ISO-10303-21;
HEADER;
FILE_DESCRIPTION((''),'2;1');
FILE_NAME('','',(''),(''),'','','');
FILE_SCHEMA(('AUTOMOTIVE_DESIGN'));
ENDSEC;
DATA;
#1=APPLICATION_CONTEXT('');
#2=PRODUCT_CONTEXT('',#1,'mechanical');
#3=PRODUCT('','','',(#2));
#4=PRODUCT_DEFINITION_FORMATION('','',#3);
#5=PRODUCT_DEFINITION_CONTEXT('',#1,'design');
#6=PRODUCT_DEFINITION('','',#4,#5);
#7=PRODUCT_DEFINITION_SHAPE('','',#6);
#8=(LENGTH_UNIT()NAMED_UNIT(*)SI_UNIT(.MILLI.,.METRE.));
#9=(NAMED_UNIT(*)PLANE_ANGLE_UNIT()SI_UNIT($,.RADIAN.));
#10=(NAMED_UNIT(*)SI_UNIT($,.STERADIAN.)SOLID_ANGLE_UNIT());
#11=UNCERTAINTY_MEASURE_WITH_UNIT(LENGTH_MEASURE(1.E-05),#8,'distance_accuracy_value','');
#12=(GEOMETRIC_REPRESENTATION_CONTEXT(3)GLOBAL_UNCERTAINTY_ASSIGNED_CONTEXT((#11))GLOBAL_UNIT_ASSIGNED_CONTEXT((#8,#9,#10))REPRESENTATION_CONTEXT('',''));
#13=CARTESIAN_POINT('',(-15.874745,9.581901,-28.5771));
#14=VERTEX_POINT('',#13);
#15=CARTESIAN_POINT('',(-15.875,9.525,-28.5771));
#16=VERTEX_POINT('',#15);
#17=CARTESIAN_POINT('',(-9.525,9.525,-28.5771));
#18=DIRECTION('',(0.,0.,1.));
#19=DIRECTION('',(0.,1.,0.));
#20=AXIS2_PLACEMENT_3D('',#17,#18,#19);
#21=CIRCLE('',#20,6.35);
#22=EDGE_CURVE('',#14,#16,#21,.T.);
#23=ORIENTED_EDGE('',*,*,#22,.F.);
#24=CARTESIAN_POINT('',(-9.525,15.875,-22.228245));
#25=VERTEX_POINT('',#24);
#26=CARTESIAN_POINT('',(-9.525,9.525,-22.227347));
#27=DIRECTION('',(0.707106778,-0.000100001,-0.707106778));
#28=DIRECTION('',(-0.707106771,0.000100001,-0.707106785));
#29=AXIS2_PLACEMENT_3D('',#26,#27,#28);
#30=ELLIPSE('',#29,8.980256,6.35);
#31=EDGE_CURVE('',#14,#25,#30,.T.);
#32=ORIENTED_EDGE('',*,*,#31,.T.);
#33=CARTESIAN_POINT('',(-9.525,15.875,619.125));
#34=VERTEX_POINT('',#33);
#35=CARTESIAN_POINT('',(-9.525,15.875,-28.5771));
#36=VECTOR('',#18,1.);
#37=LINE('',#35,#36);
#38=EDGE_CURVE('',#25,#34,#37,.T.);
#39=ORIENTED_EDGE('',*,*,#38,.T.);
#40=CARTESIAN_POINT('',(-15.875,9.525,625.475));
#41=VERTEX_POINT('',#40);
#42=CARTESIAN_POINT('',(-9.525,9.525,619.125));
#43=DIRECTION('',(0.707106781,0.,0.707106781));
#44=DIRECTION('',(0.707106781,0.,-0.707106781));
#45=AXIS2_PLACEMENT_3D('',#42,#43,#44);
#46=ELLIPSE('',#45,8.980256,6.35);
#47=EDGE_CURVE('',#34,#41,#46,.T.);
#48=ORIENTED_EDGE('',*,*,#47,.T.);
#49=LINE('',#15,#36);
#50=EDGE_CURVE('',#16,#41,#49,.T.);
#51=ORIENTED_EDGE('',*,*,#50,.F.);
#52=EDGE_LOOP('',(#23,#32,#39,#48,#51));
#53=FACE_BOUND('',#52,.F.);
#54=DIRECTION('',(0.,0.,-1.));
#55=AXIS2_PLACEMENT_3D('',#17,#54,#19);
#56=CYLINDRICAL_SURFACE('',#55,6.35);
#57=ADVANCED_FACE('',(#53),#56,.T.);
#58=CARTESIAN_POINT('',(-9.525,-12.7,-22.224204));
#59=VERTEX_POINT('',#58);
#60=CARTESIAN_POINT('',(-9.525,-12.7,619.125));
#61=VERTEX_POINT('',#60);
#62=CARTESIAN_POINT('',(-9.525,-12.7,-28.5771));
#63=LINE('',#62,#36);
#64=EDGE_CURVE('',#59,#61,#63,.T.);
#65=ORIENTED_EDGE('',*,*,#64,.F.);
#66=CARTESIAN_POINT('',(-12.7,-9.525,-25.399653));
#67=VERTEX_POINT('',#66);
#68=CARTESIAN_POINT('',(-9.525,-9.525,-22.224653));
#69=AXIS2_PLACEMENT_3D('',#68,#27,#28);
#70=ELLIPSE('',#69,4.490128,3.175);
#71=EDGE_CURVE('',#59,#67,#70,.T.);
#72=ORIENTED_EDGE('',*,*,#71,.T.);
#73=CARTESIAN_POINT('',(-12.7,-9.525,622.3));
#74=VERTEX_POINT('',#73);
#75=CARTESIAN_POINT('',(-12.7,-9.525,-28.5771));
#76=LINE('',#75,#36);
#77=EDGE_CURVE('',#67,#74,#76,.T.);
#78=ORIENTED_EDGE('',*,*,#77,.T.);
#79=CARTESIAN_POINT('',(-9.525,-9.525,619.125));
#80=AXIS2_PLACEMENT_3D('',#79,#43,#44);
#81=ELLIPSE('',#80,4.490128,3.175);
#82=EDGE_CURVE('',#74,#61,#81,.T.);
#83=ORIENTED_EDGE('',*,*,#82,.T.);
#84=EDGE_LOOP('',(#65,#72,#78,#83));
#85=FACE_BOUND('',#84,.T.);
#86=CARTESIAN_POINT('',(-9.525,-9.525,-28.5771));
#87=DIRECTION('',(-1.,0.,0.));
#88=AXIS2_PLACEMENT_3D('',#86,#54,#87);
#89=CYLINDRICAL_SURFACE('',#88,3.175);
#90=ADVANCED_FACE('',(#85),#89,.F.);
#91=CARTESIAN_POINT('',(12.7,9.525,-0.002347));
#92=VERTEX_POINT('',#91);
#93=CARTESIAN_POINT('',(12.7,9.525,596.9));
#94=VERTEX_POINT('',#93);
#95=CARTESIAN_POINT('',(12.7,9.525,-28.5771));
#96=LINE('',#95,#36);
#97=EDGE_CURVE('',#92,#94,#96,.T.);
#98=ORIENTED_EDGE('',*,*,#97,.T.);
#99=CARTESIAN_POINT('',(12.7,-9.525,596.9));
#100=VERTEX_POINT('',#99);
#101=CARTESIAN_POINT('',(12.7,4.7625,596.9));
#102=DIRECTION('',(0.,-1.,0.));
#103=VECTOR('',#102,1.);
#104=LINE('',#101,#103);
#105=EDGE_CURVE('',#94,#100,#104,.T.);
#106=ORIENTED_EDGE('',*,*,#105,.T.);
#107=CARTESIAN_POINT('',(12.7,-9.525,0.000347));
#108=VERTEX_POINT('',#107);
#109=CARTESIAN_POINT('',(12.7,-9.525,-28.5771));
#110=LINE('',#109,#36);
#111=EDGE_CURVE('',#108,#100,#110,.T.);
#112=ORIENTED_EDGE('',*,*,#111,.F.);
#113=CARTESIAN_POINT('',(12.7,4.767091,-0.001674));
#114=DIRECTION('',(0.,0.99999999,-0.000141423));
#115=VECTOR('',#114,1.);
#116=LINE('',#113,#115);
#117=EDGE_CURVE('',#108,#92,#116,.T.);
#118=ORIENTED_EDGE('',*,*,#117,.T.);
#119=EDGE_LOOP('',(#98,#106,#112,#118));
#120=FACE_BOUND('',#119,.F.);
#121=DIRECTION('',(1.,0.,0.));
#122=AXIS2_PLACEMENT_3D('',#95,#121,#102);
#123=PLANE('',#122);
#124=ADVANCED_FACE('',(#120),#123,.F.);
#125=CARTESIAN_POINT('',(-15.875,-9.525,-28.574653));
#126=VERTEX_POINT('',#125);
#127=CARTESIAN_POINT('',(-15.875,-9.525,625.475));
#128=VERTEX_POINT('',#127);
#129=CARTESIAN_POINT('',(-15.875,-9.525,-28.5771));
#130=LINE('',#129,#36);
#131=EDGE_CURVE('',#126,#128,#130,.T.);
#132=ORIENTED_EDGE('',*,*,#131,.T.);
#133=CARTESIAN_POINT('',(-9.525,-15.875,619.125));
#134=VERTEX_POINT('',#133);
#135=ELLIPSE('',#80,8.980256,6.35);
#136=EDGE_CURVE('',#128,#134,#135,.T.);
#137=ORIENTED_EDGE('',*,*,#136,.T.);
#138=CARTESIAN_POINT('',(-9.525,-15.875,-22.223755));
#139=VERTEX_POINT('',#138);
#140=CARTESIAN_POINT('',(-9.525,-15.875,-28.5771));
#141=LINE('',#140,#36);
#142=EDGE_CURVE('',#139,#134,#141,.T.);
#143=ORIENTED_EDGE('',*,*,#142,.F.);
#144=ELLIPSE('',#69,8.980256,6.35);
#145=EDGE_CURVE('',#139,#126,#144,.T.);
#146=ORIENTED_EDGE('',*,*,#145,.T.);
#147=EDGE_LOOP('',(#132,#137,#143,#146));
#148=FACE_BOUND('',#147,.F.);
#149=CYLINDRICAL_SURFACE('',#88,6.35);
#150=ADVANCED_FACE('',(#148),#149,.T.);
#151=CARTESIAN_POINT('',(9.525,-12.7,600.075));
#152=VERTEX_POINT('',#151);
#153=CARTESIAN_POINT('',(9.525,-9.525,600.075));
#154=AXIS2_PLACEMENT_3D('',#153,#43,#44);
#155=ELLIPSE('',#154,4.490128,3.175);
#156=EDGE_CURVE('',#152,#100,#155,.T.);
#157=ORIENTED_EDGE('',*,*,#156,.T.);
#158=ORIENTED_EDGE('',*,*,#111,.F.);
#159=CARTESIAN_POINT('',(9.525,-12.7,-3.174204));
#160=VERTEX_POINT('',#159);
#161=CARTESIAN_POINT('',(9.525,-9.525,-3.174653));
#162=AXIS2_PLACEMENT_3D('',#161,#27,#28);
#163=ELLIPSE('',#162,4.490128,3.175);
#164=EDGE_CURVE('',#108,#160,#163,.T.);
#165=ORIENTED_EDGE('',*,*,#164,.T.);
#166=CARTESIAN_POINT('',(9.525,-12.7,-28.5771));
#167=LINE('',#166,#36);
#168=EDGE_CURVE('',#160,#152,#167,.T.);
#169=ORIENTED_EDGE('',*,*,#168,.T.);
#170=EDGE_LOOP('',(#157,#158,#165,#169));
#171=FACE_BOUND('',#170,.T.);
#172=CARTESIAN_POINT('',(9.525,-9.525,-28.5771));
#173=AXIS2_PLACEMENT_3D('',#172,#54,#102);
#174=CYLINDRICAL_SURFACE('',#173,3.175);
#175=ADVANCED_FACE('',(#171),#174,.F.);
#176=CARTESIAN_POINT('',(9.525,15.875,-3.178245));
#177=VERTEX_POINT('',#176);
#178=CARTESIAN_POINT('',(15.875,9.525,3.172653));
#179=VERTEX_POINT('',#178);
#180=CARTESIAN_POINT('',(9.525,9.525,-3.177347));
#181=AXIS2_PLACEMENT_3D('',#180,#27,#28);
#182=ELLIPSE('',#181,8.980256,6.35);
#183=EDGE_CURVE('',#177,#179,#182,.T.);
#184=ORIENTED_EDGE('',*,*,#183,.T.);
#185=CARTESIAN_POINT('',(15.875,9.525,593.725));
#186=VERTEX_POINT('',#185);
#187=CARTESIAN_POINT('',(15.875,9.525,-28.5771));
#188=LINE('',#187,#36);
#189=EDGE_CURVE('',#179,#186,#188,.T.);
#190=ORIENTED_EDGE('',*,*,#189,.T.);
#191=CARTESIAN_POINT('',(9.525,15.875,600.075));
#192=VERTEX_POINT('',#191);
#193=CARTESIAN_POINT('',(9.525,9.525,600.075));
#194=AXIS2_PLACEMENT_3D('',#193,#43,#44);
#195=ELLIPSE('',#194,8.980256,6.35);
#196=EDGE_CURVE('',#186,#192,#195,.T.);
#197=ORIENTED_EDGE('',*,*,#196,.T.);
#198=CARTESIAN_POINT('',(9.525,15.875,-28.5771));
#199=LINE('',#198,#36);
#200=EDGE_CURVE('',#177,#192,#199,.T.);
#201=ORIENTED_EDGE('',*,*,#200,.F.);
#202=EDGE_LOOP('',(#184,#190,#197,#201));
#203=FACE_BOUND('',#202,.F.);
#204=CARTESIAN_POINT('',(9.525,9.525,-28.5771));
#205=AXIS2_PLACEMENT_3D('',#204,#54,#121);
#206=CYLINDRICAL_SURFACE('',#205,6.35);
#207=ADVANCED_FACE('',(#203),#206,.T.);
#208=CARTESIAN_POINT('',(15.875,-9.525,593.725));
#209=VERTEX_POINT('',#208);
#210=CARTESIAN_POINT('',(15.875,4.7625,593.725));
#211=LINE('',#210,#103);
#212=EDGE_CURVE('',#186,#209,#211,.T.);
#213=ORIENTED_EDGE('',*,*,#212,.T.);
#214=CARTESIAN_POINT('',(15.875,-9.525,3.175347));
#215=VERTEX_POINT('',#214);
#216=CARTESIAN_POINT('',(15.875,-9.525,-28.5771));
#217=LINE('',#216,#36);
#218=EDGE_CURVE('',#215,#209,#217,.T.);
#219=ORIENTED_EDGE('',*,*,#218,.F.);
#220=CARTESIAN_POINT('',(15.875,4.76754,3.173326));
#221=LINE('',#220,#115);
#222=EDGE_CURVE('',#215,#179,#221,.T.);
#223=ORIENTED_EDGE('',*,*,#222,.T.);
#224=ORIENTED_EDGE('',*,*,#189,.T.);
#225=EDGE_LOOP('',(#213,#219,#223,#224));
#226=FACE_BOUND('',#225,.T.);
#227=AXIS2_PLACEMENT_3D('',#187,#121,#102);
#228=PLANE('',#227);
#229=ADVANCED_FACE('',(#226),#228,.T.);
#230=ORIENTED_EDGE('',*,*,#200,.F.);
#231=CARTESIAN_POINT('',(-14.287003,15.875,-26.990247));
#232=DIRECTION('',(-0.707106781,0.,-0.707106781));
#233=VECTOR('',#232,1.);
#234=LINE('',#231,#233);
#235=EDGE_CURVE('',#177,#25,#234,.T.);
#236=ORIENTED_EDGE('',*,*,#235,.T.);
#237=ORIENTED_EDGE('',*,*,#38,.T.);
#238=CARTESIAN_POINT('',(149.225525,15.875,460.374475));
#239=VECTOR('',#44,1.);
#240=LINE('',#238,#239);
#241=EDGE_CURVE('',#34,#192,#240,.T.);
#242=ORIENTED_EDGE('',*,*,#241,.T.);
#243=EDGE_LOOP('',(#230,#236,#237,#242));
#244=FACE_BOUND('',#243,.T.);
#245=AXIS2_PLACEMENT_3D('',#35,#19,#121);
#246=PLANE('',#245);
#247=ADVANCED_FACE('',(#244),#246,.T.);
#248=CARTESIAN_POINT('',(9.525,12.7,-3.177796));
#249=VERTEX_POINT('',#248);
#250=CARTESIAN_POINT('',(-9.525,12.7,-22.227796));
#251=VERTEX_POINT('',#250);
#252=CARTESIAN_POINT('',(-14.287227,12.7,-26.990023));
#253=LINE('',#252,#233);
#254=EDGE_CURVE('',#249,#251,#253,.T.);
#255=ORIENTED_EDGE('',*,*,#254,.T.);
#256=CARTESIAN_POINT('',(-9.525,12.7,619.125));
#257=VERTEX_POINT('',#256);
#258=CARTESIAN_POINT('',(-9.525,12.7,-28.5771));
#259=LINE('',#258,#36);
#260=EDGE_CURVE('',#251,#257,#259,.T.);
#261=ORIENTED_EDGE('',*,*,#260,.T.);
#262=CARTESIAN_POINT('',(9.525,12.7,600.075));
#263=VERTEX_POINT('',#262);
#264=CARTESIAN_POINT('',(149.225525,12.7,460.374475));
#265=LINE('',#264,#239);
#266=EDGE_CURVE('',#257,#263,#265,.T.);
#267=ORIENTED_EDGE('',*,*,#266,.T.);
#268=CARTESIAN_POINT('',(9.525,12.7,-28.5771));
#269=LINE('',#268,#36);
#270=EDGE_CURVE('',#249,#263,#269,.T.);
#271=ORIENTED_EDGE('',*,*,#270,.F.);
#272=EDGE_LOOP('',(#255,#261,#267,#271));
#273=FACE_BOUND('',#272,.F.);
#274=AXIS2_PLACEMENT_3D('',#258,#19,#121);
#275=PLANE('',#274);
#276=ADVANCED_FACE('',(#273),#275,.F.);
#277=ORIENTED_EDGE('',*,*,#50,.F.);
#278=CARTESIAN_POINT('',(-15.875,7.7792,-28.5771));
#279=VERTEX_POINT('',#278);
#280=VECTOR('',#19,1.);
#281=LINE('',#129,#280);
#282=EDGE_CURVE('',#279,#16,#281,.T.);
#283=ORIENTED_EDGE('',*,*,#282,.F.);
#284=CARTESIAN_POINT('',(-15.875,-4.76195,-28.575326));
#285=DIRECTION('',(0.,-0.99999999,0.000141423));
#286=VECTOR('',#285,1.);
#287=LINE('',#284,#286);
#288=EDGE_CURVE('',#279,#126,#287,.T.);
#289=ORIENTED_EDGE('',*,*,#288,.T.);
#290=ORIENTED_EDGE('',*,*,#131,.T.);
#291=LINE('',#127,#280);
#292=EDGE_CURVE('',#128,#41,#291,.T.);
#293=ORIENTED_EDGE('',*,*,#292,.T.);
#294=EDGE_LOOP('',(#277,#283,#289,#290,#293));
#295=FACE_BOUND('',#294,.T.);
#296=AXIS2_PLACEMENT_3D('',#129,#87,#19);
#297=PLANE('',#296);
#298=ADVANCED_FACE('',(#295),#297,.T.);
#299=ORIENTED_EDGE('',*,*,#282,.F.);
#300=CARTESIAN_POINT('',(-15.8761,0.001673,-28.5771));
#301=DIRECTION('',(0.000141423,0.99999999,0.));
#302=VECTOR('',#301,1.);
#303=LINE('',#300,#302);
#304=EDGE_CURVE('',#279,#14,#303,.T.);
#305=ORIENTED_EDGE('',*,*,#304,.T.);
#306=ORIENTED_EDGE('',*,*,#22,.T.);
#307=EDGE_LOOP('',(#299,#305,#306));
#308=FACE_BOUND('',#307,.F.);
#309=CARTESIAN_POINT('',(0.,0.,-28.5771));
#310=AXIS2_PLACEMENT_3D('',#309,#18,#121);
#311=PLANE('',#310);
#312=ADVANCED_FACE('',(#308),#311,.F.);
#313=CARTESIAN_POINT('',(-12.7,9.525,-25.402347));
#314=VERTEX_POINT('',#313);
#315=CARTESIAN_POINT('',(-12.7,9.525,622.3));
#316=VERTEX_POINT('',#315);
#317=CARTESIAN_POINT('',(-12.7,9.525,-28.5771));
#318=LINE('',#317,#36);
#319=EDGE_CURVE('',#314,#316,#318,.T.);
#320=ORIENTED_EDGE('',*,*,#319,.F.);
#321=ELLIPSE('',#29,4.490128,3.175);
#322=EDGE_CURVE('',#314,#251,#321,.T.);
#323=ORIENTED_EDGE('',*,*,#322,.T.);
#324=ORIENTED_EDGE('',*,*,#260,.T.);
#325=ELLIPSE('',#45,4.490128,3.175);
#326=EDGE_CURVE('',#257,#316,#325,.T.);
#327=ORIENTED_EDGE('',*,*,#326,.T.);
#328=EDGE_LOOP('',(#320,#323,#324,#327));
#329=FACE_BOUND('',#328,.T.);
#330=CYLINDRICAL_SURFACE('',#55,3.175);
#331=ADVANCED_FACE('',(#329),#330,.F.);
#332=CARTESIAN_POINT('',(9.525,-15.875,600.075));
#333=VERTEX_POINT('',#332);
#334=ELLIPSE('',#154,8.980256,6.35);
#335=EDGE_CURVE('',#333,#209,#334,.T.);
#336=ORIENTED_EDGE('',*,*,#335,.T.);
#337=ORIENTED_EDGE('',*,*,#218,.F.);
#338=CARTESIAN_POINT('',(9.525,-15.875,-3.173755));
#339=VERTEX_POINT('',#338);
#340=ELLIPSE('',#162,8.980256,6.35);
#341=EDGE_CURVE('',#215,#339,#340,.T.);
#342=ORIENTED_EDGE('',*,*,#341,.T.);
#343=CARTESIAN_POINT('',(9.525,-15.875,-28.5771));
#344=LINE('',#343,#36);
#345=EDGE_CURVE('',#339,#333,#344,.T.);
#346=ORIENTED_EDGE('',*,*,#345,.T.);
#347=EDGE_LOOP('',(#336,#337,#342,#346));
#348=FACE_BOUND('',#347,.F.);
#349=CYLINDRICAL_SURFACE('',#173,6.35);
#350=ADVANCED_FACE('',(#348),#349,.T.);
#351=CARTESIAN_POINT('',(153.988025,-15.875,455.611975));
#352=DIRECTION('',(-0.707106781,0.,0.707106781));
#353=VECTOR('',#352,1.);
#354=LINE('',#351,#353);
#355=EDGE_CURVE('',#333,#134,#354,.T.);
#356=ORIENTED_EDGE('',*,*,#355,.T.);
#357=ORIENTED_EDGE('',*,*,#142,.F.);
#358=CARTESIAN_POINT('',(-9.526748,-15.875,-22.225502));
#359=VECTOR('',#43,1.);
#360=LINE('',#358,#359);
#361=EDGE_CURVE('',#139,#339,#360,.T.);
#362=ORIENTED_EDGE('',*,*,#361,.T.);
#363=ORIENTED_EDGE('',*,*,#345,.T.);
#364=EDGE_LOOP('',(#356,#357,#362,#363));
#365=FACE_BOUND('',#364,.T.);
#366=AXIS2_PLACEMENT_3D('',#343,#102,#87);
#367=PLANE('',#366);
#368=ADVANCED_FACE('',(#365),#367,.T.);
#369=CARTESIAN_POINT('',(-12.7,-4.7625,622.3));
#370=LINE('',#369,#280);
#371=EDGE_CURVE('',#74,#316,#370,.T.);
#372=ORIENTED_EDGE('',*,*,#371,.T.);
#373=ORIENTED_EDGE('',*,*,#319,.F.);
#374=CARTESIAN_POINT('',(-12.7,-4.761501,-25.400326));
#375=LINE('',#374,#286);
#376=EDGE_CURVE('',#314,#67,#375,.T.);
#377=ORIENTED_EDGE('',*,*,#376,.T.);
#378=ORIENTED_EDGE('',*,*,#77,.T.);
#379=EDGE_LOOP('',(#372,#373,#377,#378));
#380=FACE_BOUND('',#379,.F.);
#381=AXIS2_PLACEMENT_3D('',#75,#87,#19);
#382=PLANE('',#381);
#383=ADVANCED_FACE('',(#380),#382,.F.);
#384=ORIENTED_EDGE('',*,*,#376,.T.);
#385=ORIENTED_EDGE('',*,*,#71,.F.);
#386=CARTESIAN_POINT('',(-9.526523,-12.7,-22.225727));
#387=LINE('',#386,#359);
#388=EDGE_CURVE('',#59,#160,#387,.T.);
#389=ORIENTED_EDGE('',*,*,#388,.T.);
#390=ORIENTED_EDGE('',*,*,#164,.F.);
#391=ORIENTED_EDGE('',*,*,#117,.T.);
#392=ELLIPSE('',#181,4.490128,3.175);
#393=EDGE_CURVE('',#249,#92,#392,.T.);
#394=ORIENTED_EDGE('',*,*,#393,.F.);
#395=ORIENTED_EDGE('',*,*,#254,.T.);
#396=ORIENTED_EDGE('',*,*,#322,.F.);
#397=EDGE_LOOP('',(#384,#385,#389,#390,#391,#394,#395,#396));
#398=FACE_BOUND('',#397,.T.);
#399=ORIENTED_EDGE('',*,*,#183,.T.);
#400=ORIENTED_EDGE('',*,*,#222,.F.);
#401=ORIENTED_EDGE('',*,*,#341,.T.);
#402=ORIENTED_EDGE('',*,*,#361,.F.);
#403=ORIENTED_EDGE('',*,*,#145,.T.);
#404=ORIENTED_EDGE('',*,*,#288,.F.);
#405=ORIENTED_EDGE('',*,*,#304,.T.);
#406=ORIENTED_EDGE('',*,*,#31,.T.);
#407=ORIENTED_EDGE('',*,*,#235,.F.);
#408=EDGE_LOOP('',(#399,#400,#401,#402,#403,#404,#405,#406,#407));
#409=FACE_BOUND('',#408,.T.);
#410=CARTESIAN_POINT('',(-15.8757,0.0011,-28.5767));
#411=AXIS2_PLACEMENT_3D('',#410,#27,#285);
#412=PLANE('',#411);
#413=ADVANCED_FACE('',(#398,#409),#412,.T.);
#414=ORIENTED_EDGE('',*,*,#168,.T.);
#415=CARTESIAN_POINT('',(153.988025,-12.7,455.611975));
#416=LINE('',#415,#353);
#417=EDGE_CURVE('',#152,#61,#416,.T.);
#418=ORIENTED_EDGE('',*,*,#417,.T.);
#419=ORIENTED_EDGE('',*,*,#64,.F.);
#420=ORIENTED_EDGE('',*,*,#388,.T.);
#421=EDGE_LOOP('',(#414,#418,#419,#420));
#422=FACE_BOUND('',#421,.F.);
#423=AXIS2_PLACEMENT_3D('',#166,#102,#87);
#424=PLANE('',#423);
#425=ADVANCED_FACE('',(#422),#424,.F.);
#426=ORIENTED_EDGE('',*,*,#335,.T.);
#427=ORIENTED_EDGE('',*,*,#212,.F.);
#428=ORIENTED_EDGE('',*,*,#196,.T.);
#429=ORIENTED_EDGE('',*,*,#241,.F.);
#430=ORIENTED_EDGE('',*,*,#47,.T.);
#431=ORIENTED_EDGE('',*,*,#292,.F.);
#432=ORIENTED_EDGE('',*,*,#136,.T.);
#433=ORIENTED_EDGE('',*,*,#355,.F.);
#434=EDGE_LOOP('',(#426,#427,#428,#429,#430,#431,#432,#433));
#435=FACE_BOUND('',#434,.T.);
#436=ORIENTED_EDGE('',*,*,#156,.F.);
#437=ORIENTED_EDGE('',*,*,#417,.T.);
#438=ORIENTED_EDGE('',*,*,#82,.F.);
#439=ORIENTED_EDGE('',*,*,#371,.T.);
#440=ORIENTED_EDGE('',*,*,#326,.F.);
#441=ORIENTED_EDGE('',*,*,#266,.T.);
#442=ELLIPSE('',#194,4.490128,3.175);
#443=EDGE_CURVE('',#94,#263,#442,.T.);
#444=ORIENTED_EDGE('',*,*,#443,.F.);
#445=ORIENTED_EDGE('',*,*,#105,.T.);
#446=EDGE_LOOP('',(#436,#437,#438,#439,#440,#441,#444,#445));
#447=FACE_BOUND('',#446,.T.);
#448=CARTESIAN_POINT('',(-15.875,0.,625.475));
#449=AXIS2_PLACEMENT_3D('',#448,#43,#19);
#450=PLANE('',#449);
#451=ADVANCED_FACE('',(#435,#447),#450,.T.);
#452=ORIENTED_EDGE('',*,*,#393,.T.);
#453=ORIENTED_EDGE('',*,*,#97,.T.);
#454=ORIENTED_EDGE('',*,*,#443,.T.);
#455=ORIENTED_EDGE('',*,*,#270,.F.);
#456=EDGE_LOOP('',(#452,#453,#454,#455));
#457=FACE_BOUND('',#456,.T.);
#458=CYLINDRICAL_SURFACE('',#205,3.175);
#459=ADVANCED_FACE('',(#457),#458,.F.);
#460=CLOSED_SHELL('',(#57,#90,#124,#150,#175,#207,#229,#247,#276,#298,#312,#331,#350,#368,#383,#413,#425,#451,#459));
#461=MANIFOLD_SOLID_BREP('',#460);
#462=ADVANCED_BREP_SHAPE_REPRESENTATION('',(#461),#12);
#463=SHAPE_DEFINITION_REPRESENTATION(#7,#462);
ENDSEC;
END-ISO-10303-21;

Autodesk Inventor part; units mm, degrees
ref_plane "Start plane" through (0, 0, -28.5771) normal (0, 0, 1) x (1, 0, 0)
ref_plane "End plane" through (0, 0, 625.475) normal (0, 0, 1) x (1, 0, 0)
sketch "Sketch" plane through (0, 0, 0) normal (0, 0, 1) x (1, 0, 0)
  line L0 (-15.875, -9.525) -> (-15.875, 9.525)
  line L1 (-9.525, 15.875) -> (9.525, 15.875)
  line L2 (15.875, 9.525) -> (15.875, -9.525)
  line L3 (9.525, -15.875) -> (-9.525, -15.875)
  arc A0 (-15.875, -9.525) -> (-9.525, -15.875) centre (-9.525, -9.525) ccw
  arc A1 (-9.525, 15.875) -> (-15.875, 9.525) centre (-9.525, 9.525) ccw
  arc A2 (15.875, 9.525) -> (9.525, 15.875) centre (9.525, 9.525) ccw
  arc A3 (9.525, -15.875) -> (15.875, -9.525) centre (9.525, -9.525) ccw
  arc A4 (-9.525, 12.7) -> (-12.7, 9.525) centre (-9.525, 9.525) ccw
  line L4 (-9.525, 12.7) -> (9.525, 12.7)
  arc A5 (12.7, 9.525) -> (9.525, 12.7) centre (9.525, 9.525) ccw
  line L5 (12.7, 9.525) -> (12.7, -9.525)
  arc A6 (9.525, -12.7) -> (12.7, -9.525) centre (9.525, -9.525) ccw
  line L6 (9.525, -12.7) -> (-9.525, -12.7)
  arc A7 (-12.7, -9.525) -> (-9.525, -12.7) centre (-9.525, -9.525) ccw
  line L7 (-12.7, -9.525) -> (-12.7, 9.525)
  line L8 (0, 24.0662) -> (0, -24.0662) construction
  line L9 (-24.0662, 0) -> (24.0662, 0) construction
  dimension "d10" = 31.75
  dimension "d11" = 31.75
  dimension "d12" = 3.175
  dimension "d15" = 15.875
  dimension "d16" = 15.875
  dimension "d17" = 6.35
extrude "Body" add sketch "Sketch" along normal up to surface (654.0521 mm away) from surface at -28.5771
sketch "Sketch3" plane through (0, 0, 0) normal (0, 0, 1) x (1, 0, 0)
  line L0 (0, 0) -> (10, 0)
ref_plane "Work Plane3" through (0, 0, 0) normal (0, -1, 0) x (1, 0, 0)
sketch "Sketch4" plane through (0, 0, 0) normal (0, -1, 0) x (1, 0, 0)
  line L0 (-2, -28.5771) -> (12, -28.5771)
  line L1 (-2, 625.475) -> (12, 625.475)
  dimension "d19" = 654.0521
ref_plane "Work Plane4" through (-15.8757, 0.0011, -28.5767) normal (0.7071, -0.0001, -0.7071) x (-0.7071, 0.0001, -0.7071)
split "Split1" plane through (-15.8757, 0.0011, -28.5767) removes the side toward (0.7071, -0.0001, -0.7071)
ref_plane "Work Plane5" through (-15.875, 0, 625.475) normal (0.7071, 0, 0.7071) x (0.7071, 0, -0.7071)
split "Split2" plane through (-15.875, 0, 625.475) removes the side toward (0.7071, 0, 0.7071)
equation "\"d10\" = G_H"
equation "\"d11\" = G_W"
equation "\"d12\" = G_T"
equation "\"d15\" = 0.5 * d10"
equation "\"d16\" = 0.5 * d11"
equation "\"d17\" = G_IR"
equation "\"d3\" = G_L"
equation "\"G_W\" = 31.75"
equation "\"G_H\" = 31.75"
equation "\"G_T\" = 3.175"
equation "\"G_IR\" = 6.35"
equation "\"G_L\" = d19"
equation "\"G_OFFSET_START\" = 28.57711"
equation "\"G_OFFSET_END\" = 15.875"
equation "\"d13\" = -G_OFFSET_START"
equation "\"d14\" = G_OFFSET_END + B_L"
equation "\"B_L\" = 609.6"
properties part number "AISC HSS - 1-1/4x1-1/4x1/8 - 25.75" material "Steel, Mild"
